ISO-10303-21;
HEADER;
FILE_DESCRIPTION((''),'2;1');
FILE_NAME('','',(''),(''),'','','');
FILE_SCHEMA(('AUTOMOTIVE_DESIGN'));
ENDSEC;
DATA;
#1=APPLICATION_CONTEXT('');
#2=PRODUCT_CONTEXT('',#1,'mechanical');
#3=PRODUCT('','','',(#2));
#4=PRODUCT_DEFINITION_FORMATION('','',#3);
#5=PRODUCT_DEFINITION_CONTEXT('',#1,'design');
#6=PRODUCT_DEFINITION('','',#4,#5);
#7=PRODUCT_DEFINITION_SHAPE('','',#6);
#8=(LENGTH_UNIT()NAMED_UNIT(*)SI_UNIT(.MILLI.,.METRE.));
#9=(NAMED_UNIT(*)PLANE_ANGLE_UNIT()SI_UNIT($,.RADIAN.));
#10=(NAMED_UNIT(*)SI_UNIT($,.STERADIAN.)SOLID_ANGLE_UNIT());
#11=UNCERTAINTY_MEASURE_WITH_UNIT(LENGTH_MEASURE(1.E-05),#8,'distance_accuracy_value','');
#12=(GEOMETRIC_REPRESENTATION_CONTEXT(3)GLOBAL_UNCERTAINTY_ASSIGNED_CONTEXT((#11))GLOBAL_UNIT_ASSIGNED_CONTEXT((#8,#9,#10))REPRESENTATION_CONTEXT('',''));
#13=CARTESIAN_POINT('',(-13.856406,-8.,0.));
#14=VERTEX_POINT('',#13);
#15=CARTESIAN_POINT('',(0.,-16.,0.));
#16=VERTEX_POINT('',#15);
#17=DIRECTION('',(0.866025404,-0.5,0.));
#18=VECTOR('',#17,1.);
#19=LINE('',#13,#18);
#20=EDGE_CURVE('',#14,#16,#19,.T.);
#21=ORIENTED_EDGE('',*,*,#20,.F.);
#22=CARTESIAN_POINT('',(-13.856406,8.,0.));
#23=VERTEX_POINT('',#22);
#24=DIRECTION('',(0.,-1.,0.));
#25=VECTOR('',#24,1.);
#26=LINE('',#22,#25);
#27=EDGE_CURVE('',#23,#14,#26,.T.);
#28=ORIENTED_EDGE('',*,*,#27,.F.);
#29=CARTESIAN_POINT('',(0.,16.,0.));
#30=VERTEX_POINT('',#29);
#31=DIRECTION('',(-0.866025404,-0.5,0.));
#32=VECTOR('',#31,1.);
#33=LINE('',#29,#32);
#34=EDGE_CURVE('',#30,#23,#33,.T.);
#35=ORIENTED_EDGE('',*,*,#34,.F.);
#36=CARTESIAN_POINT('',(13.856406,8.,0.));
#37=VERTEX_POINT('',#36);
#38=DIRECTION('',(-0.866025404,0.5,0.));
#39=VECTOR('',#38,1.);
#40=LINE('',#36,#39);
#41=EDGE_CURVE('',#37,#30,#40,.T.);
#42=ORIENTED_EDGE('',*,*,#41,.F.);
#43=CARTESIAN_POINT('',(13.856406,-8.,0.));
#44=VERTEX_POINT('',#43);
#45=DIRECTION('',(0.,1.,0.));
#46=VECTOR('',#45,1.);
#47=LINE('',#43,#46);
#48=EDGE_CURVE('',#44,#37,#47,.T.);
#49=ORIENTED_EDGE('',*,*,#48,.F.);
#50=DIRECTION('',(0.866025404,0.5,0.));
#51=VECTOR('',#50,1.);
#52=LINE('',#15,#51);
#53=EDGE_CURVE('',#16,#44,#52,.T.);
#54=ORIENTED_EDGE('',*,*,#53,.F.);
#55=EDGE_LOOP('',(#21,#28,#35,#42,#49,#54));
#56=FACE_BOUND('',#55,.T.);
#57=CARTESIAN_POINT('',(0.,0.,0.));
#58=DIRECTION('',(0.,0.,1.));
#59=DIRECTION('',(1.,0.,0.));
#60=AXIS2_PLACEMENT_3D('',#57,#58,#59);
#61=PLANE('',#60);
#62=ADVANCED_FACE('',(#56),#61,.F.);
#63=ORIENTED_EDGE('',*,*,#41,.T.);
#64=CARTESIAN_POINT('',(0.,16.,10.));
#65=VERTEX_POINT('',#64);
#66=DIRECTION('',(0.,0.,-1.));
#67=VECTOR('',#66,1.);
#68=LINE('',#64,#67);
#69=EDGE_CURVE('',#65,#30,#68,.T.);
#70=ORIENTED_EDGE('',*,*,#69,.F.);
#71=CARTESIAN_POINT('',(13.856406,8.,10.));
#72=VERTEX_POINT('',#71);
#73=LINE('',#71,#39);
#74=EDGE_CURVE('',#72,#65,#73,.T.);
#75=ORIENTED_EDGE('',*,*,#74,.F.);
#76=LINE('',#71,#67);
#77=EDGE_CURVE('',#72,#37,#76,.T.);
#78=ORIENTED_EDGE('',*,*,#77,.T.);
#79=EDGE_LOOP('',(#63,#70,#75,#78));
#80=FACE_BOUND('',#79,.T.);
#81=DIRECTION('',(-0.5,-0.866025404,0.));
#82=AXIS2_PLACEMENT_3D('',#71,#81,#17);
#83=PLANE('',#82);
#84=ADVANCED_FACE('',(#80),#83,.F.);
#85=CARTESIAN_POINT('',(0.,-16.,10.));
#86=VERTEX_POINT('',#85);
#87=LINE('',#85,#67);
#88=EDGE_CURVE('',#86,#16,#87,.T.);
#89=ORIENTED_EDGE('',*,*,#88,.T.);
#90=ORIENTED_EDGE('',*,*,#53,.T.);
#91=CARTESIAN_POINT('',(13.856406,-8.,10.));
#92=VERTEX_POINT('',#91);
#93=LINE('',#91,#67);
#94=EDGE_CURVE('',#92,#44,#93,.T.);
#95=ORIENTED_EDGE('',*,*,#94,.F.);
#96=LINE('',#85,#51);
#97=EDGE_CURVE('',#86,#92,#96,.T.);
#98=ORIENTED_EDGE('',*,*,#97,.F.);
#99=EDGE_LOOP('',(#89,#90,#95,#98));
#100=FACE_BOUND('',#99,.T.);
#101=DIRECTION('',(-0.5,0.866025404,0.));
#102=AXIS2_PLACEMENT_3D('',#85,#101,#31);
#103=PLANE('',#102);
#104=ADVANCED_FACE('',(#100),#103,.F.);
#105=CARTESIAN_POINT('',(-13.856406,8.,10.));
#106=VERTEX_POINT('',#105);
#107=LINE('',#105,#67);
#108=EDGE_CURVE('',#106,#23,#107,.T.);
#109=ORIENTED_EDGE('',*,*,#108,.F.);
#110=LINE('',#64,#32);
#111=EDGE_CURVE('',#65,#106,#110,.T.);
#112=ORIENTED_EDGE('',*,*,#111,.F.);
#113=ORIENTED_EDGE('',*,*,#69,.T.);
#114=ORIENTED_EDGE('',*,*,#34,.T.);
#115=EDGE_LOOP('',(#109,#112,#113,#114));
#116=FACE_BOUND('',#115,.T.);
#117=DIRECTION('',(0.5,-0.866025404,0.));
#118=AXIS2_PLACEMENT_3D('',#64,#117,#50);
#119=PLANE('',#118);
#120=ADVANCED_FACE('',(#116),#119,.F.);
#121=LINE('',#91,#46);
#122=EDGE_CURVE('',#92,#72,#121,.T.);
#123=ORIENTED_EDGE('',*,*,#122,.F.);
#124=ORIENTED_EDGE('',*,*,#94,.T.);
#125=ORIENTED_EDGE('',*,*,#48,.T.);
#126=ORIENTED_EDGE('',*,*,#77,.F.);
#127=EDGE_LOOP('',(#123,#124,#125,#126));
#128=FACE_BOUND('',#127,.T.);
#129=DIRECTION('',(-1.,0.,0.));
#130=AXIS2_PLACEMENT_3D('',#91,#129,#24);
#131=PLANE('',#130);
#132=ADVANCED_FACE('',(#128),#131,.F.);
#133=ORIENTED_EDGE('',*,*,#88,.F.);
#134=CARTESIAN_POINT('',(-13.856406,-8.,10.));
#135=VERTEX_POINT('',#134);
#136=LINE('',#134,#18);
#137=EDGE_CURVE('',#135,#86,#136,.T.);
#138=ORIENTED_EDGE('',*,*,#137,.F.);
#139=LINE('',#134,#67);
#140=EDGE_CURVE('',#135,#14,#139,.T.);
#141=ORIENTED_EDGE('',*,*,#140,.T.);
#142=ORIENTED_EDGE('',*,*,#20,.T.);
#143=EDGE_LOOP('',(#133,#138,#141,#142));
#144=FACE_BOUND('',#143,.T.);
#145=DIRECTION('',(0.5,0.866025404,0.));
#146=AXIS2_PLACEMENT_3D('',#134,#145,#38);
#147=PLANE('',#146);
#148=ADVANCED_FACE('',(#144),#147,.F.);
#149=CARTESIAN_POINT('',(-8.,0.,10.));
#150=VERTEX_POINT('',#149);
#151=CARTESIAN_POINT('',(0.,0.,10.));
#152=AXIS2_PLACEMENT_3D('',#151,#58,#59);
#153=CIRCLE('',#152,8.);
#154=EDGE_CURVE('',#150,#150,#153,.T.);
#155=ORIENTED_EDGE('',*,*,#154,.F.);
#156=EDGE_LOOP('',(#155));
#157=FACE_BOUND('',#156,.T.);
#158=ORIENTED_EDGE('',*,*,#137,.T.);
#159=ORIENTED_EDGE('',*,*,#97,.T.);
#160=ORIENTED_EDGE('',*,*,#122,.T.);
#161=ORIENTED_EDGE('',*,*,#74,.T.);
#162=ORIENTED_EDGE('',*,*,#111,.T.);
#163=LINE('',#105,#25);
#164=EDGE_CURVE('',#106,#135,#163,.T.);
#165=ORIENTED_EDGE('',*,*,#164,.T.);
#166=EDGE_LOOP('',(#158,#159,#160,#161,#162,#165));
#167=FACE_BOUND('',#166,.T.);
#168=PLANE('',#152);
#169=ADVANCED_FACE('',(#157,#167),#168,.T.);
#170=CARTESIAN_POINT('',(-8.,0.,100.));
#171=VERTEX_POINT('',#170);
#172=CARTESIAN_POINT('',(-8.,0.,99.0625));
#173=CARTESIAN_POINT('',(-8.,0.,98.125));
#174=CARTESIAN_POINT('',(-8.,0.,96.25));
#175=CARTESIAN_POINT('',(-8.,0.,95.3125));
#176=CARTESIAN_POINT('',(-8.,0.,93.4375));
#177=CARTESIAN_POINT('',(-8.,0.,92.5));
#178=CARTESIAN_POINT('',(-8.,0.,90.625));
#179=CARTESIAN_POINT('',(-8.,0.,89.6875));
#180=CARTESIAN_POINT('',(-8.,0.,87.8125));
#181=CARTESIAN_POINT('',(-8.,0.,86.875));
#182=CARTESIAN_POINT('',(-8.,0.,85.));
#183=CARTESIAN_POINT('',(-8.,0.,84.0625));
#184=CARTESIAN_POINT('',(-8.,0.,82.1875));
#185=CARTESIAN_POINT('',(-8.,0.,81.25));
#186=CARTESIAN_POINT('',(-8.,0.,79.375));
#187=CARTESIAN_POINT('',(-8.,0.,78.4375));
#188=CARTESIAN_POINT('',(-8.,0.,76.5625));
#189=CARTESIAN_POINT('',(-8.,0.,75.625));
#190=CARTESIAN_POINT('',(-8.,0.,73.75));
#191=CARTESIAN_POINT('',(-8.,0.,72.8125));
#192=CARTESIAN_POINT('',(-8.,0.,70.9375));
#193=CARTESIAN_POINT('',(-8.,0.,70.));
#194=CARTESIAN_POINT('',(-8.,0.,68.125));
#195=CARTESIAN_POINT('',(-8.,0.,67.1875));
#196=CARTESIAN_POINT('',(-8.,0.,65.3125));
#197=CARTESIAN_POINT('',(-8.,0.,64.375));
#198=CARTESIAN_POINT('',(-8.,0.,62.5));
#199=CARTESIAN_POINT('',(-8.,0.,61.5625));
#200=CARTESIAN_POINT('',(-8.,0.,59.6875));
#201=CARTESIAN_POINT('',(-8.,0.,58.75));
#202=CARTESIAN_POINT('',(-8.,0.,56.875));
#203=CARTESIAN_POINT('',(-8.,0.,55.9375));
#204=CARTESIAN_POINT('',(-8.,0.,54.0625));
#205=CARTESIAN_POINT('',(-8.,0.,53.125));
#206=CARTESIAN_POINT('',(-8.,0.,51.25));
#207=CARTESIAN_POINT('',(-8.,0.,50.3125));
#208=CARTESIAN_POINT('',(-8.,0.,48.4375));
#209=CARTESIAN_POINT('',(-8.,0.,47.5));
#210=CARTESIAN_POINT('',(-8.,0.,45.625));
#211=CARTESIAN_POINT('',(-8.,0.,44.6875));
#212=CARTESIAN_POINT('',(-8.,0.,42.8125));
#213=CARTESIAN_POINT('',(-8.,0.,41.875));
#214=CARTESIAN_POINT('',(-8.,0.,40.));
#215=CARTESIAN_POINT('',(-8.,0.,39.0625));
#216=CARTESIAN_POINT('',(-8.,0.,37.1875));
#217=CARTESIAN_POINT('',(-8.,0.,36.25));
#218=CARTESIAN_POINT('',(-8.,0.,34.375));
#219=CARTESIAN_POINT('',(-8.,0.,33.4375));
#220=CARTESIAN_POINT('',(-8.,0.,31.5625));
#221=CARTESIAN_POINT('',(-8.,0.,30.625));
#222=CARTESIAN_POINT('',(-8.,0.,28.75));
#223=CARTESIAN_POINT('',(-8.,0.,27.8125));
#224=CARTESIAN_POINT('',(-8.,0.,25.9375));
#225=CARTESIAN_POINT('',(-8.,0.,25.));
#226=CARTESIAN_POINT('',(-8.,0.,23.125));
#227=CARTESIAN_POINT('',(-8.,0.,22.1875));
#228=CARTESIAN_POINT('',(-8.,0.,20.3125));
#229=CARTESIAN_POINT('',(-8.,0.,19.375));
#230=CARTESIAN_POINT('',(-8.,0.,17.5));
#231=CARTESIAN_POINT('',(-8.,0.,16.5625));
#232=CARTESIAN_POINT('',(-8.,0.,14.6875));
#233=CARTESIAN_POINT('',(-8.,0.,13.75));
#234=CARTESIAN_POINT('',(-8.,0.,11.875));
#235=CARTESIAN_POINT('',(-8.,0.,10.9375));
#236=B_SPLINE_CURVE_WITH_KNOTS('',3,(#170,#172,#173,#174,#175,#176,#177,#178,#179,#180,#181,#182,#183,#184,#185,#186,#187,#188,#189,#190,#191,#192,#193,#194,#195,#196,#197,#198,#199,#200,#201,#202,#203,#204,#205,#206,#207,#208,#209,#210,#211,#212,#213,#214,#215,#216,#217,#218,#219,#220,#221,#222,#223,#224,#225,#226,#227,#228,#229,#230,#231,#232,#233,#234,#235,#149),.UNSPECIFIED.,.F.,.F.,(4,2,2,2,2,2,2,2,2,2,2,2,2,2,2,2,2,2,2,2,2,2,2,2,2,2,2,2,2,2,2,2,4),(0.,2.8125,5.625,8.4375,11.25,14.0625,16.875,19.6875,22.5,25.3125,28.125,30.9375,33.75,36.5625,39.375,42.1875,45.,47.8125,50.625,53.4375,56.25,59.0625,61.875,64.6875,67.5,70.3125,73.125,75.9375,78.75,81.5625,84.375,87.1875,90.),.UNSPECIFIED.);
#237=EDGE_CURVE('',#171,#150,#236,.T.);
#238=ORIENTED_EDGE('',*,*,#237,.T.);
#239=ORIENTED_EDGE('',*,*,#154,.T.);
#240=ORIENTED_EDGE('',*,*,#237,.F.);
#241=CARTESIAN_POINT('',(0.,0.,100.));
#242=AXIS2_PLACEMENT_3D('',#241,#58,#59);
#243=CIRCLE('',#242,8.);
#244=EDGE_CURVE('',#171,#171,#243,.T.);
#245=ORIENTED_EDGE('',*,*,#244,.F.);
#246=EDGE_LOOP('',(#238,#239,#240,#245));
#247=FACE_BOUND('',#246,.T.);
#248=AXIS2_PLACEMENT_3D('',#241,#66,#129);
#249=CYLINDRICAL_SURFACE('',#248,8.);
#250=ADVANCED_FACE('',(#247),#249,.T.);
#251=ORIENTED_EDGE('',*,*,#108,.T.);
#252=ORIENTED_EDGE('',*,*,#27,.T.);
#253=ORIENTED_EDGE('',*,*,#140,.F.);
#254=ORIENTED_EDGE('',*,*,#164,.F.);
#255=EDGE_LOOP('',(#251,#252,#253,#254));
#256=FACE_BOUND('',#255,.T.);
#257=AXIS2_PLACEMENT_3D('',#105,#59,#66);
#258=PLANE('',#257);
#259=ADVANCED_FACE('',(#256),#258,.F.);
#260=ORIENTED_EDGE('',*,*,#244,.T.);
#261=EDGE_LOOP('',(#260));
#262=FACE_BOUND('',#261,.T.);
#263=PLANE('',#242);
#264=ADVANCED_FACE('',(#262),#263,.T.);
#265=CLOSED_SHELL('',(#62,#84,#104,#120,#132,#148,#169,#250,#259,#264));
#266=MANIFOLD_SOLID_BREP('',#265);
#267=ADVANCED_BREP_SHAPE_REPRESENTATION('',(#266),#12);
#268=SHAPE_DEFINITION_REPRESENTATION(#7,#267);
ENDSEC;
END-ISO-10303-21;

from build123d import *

# Parameters (mm, degrees)
BOSS_EXTRUDE1_DEPTH = 10
SKETCH2_R           = 8
BOSS_EXTRUDE2_DEPTH = 90


with BuildPart() as part:
    # Sketch1 → Boss-Extrude1 (new body)
    with BuildSketch(Plane.XY):
        Polygon((13.856406461, 8), (0, 16), (-13.856406461, 8), (-13.856406461, -8), (0, -16), (13.856406461, -8), align=None)
    extrude(amount=BOSS_EXTRUDE1_DEPTH)

    # Sketch2 → Boss-Extrude2 (add)
    with BuildSketch(Plane.XY.offset(10)):
        with Locations(Location((0, 0, 0), (0, 0, 180))):
            Circle(SKETCH2_R)
    extrude(amount=BOSS_EXTRUDE2_DEPTH)


solid = part.part
